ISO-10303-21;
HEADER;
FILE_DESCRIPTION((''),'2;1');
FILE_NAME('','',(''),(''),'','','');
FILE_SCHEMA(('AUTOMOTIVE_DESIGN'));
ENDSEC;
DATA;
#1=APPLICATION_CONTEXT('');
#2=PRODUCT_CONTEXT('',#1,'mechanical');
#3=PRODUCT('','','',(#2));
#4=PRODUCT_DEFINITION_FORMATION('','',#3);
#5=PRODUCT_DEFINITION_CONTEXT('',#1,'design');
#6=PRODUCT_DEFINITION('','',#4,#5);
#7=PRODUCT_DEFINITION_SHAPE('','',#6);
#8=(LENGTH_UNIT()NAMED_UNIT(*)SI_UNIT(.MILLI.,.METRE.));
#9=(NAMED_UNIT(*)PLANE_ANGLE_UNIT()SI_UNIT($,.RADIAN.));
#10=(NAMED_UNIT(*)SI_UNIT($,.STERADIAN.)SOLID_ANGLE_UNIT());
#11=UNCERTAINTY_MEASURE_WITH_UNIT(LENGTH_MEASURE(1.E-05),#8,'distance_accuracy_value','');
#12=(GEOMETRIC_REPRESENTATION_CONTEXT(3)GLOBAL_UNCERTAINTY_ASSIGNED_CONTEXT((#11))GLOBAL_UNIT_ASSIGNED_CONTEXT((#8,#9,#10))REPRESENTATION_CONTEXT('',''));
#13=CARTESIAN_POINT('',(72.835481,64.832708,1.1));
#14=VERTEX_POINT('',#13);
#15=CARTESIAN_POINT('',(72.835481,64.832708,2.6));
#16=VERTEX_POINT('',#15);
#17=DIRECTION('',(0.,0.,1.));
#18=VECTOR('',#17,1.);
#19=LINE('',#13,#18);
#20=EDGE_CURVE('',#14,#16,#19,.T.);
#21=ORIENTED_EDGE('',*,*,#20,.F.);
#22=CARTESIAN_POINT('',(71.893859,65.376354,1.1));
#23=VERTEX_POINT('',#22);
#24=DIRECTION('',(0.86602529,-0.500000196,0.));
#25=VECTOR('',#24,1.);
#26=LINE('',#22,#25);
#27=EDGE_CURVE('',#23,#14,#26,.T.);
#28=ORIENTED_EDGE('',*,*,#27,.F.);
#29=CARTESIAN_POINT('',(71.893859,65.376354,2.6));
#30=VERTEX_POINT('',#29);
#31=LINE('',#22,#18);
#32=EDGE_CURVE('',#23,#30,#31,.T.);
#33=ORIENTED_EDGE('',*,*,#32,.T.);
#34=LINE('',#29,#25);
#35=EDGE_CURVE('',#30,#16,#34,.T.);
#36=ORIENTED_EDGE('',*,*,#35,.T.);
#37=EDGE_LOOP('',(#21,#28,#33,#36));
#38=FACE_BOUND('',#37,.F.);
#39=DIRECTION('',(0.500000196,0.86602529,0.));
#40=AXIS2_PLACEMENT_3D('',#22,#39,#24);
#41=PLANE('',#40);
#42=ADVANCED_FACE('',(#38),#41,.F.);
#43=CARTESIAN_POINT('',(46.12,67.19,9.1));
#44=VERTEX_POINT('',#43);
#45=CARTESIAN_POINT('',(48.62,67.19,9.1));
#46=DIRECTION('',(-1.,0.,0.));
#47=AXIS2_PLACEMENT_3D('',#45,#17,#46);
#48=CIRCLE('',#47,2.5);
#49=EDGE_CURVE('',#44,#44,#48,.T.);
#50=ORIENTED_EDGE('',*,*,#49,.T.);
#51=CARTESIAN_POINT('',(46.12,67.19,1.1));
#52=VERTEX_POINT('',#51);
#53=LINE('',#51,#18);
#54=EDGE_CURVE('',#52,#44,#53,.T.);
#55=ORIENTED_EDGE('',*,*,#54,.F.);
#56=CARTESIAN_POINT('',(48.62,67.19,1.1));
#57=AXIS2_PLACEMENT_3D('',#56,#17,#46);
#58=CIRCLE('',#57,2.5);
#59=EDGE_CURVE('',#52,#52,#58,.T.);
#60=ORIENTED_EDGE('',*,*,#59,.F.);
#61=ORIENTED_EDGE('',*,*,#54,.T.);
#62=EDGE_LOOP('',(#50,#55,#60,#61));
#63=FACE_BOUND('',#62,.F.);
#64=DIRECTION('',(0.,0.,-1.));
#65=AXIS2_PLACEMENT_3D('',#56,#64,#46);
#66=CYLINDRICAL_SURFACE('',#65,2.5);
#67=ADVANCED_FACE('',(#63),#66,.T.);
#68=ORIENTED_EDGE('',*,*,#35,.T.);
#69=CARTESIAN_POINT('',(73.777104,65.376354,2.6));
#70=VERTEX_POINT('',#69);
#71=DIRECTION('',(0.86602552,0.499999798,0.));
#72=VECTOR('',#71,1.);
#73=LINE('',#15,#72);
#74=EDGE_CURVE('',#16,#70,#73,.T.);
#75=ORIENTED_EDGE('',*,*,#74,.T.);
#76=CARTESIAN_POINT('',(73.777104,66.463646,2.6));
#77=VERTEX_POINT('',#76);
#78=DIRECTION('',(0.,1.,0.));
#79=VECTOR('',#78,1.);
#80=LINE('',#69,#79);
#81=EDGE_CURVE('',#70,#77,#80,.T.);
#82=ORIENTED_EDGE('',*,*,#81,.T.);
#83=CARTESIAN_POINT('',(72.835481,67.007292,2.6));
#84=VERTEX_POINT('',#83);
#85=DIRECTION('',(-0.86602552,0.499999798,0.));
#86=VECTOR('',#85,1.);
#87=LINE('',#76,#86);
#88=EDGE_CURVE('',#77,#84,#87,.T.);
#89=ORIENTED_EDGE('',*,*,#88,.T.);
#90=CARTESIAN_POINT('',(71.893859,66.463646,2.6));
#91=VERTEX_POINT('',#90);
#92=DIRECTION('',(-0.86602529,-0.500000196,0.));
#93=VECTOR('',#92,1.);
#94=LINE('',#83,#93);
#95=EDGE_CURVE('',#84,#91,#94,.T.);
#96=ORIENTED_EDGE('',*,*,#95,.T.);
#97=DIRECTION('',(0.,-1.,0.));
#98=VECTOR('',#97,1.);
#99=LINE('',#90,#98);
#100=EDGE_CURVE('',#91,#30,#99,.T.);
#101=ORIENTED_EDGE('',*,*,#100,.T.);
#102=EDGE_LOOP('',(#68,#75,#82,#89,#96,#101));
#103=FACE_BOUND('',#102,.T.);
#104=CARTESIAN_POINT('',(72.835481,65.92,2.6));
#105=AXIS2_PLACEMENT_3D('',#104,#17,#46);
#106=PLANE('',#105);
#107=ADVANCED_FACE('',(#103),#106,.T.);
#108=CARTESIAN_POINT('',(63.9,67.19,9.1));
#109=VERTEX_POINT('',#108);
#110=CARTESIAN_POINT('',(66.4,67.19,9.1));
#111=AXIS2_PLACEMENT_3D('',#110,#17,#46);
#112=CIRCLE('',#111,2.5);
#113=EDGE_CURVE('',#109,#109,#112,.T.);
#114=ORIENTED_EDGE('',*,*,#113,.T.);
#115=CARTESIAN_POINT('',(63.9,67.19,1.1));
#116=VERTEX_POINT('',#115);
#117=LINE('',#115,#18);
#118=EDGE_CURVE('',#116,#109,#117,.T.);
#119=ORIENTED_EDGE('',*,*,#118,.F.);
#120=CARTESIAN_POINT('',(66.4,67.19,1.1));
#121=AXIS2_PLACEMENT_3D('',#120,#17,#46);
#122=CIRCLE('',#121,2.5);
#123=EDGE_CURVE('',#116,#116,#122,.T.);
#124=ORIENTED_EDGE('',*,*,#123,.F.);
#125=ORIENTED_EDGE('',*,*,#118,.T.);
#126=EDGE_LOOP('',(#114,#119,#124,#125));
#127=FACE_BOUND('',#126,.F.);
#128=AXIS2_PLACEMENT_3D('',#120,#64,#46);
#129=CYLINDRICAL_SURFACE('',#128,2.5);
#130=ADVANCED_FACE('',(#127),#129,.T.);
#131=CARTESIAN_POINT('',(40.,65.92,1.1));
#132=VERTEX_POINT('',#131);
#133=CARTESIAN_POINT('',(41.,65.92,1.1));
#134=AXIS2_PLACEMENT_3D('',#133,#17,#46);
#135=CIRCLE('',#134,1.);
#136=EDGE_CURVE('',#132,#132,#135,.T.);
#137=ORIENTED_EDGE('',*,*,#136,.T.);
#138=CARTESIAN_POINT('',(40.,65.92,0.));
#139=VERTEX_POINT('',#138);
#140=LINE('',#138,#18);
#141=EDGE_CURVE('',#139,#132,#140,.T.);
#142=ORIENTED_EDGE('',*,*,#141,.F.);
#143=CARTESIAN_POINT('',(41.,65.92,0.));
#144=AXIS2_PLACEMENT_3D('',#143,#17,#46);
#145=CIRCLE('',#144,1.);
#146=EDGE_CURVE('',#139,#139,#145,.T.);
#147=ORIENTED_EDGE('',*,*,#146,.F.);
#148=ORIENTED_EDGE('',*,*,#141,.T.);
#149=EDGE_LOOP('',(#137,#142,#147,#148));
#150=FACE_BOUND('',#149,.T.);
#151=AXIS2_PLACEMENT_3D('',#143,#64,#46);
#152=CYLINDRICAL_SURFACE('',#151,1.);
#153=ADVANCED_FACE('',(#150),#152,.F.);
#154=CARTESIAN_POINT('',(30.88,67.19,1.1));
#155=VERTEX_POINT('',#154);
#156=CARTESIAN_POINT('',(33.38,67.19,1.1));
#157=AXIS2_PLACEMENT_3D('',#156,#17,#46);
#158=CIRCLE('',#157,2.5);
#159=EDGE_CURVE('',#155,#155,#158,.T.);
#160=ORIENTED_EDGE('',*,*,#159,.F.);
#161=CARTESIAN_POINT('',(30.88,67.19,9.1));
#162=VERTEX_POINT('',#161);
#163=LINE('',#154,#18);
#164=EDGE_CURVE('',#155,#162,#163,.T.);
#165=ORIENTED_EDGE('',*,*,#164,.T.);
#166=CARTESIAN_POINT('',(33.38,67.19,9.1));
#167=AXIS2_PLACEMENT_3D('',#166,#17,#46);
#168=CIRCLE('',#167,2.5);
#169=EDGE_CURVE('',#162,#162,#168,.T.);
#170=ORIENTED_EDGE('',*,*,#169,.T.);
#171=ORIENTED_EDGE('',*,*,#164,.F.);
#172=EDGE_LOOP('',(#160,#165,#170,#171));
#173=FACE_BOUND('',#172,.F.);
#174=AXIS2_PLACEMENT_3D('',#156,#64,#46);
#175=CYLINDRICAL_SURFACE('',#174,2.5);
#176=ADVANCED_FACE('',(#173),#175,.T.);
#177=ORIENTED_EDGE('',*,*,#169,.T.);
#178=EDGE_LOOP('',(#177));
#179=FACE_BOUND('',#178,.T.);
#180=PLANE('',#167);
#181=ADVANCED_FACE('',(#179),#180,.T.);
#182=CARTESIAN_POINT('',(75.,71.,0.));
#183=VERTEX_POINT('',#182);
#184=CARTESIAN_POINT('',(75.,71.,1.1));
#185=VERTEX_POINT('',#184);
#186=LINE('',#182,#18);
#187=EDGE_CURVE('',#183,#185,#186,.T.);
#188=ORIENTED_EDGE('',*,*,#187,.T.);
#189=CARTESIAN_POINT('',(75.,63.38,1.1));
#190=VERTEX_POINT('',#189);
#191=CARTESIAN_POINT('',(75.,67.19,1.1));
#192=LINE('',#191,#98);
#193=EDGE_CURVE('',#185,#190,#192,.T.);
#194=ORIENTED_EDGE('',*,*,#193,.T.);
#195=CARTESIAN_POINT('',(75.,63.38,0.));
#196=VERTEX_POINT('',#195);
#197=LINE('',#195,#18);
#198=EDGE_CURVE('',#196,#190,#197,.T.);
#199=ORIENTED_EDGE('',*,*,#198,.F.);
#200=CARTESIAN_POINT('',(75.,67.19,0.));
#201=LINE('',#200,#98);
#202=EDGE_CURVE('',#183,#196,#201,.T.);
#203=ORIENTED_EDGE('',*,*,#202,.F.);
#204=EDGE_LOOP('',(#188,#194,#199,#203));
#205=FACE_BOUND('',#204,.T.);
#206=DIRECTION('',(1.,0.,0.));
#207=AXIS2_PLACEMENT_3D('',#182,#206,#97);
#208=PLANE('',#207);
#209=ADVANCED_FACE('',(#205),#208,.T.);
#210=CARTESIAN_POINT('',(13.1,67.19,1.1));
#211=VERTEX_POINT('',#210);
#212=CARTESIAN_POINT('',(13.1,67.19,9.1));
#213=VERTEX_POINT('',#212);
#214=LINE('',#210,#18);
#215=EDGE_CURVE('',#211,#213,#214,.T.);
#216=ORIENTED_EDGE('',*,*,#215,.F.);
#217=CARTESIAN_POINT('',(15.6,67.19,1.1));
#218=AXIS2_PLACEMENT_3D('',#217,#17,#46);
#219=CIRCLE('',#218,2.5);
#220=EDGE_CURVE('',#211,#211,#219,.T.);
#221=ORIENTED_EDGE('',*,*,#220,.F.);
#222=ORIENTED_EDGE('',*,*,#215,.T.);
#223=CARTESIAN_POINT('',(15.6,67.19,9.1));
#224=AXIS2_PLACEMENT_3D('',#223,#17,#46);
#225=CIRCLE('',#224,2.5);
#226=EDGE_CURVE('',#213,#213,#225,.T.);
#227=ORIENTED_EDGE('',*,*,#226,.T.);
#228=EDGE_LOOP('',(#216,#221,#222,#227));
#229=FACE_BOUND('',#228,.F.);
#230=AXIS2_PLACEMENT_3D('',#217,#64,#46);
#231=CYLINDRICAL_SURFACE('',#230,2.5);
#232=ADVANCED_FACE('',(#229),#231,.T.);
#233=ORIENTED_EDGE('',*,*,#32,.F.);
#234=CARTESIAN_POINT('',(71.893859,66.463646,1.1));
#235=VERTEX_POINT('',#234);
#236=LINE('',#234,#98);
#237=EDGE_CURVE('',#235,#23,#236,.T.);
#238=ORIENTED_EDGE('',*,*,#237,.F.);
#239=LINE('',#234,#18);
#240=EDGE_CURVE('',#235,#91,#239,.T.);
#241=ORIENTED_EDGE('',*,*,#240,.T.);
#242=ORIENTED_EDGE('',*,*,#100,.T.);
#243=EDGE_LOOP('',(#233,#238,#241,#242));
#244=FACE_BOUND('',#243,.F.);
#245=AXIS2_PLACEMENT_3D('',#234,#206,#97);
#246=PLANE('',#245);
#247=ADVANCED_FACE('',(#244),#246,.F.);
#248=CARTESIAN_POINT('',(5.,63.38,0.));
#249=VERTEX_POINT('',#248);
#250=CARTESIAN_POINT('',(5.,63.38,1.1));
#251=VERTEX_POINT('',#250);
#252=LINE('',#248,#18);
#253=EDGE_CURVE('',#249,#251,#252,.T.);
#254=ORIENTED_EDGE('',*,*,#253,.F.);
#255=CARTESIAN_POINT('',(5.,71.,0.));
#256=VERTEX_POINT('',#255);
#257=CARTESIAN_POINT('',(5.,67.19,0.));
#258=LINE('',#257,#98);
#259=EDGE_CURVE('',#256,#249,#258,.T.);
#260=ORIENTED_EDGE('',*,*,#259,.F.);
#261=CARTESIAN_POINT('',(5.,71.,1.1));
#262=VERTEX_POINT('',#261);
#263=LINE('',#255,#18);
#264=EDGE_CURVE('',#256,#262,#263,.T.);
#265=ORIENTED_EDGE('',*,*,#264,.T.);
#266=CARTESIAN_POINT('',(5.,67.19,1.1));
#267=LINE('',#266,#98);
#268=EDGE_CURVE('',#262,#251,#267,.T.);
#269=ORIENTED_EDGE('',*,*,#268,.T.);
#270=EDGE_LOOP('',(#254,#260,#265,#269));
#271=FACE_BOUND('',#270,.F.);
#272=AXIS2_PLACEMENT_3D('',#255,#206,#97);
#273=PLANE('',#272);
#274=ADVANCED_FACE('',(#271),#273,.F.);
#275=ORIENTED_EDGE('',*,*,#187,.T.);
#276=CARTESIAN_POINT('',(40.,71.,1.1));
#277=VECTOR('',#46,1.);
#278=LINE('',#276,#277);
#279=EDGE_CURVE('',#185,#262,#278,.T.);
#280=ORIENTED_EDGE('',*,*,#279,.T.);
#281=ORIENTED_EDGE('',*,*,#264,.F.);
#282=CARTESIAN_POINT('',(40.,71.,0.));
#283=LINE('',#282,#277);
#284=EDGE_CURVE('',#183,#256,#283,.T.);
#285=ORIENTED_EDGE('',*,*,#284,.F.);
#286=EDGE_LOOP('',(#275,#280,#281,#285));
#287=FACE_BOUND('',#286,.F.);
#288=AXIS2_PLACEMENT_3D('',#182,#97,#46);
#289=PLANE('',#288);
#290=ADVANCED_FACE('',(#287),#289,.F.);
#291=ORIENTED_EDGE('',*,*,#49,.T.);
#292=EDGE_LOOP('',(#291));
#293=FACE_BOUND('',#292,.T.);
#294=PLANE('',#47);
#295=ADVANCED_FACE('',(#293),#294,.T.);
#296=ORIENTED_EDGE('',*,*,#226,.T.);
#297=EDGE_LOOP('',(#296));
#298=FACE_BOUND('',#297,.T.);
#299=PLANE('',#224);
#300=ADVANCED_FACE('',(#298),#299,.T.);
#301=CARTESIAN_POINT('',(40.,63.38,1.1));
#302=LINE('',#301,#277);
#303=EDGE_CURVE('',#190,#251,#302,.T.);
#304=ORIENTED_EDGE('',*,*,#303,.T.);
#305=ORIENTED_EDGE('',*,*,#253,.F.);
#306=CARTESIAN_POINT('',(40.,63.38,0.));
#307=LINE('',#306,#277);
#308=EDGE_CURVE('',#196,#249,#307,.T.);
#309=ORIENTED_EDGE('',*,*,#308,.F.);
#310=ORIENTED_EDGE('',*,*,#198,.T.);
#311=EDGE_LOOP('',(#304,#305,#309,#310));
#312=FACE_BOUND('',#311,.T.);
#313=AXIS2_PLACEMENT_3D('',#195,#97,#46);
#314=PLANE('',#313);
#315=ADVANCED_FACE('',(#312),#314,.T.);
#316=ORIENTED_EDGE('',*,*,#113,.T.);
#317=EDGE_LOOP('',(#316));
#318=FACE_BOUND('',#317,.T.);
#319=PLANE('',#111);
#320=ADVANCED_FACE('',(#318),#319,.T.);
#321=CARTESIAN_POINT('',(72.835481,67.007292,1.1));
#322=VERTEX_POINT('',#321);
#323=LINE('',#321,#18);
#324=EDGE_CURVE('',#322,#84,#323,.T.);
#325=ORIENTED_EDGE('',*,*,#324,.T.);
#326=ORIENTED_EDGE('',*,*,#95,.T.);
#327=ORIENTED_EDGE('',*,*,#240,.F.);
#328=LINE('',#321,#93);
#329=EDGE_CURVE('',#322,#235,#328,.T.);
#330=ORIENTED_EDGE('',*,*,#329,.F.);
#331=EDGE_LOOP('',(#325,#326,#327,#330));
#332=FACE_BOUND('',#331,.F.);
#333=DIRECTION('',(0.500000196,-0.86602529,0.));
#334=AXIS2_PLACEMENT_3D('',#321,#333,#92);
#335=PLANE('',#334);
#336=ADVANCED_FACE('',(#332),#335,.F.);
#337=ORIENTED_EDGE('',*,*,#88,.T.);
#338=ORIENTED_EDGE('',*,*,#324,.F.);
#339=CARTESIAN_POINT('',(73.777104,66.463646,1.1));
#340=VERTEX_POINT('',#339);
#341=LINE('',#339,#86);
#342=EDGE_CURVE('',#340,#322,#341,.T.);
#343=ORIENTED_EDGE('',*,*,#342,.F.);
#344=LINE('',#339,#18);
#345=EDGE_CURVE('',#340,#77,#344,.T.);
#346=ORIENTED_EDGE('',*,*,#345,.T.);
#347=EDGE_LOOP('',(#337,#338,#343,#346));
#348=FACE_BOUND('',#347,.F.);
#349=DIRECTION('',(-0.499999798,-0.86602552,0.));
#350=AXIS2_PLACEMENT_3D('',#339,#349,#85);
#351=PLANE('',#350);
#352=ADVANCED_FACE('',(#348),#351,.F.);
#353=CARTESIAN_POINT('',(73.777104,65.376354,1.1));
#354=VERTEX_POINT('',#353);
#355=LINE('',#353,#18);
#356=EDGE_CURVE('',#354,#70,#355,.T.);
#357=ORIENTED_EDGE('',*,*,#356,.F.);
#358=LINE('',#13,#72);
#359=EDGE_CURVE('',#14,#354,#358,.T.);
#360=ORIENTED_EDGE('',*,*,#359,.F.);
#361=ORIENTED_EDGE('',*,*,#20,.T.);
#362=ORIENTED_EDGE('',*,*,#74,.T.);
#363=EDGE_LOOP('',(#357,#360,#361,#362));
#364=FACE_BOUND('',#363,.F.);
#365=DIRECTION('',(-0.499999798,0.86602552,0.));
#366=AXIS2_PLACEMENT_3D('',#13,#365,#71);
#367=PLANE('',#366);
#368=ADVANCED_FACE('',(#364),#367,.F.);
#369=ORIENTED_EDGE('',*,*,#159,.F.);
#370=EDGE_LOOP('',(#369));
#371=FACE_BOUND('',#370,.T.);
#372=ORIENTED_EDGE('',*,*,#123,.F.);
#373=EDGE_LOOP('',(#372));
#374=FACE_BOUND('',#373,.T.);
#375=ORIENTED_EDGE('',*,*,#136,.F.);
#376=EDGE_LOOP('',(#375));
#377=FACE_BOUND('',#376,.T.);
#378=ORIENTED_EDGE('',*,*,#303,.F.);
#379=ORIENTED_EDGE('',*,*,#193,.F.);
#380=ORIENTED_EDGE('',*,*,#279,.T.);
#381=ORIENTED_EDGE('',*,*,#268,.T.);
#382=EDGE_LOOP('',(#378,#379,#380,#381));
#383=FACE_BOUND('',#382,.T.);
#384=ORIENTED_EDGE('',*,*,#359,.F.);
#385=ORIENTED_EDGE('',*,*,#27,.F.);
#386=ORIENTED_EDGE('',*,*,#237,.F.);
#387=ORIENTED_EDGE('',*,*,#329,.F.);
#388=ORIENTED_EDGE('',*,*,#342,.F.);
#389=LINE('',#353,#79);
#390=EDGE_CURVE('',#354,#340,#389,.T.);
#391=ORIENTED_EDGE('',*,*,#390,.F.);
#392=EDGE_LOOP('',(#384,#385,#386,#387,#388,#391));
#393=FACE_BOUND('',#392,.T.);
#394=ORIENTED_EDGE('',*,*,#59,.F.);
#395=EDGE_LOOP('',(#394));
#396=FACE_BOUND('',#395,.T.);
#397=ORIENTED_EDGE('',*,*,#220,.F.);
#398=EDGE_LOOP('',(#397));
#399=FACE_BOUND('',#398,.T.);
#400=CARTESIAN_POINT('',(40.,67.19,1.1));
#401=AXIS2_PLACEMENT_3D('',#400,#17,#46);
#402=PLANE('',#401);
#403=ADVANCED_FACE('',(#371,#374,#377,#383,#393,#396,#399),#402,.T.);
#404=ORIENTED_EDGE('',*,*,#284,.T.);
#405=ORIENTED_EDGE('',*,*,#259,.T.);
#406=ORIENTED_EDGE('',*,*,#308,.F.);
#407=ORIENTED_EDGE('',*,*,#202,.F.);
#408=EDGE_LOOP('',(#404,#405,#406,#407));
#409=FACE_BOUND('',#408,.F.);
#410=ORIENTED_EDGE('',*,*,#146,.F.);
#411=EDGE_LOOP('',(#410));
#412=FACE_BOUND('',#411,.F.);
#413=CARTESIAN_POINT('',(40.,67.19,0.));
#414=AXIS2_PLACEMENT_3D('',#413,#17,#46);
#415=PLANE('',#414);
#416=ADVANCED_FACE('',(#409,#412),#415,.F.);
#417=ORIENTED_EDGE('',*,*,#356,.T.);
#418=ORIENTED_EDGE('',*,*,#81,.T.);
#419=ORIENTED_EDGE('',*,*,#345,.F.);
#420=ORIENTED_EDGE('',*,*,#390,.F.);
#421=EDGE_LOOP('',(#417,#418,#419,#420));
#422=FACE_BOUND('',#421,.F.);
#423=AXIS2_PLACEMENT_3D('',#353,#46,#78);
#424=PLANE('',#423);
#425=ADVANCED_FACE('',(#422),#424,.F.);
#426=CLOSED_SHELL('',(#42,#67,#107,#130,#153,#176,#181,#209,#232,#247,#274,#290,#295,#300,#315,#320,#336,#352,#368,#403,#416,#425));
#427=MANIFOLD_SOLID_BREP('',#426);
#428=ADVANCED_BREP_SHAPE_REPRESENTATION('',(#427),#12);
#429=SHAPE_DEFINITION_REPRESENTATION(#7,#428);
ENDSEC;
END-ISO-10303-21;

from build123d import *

# Parameters (mm, degrees)
SKETCH029_W             = 70
SKETCH029_H             = 7.62
SKETCH029_R             = 1
PAD017_DEPTH            = 1.1
SKETCH033_R             = 2.5
PAD021_DEPTH            = 8
PAD015_DEPTH            = 1.5
BODY007_PLACEMENT_ANGLE = 180


with BuildPart() as part:
    # Sketch029 → Pad017 (new body)
    with BuildSketch(Plane.XY):
        with Locations((35, 3.81)):
            Rectangle(SKETCH029_W, SKETCH029_H)
        with Locations((34, 5.08)):
            Circle(SKETCH029_R, mode=Mode.SUBTRACT)
    extrude(amount=PAD017_DEPTH)

    # Sketch033 (on Face7 of Pad017) → Pad021 (join)
    with BuildSketch(Plane.XY.offset(1.1)):
        with Locations((26.38, 3.81)):
            Circle(SKETCH033_R)
        with Locations((41.62, 3.81)):
            Circle(SKETCH033_R)
        with Locations((59.4, 3.81)):
            Circle(SKETCH033_R)
        with Locations((8.6, 3.81)):
            Circle(SKETCH033_R)
    extrude(amount=PAD021_DEPTH)

    # Sketch025 (on Face5 of Pad021) → Pad015 (join)
    with BuildSketch(Plane.XY.offset(1.1)):
        Polygon((3.106141, 4.536354), (3.106141, 5.623646), (2.164519, 6.167292), (1.222896, 5.623646), (1.222896, 4.536354), (2.164519, 3.992708), align=None)
    extrude(amount=PAD015_DEPTH)


with BuildPart() as part_1:
    # Body007 placement: moved
    add(part.part.moved(Location((75, 71, 0))).rotate(Axis((75, 71, 0), (0, 0, 1)), BODY007_PLACEMENT_ANGLE))


solid = part_1.part
